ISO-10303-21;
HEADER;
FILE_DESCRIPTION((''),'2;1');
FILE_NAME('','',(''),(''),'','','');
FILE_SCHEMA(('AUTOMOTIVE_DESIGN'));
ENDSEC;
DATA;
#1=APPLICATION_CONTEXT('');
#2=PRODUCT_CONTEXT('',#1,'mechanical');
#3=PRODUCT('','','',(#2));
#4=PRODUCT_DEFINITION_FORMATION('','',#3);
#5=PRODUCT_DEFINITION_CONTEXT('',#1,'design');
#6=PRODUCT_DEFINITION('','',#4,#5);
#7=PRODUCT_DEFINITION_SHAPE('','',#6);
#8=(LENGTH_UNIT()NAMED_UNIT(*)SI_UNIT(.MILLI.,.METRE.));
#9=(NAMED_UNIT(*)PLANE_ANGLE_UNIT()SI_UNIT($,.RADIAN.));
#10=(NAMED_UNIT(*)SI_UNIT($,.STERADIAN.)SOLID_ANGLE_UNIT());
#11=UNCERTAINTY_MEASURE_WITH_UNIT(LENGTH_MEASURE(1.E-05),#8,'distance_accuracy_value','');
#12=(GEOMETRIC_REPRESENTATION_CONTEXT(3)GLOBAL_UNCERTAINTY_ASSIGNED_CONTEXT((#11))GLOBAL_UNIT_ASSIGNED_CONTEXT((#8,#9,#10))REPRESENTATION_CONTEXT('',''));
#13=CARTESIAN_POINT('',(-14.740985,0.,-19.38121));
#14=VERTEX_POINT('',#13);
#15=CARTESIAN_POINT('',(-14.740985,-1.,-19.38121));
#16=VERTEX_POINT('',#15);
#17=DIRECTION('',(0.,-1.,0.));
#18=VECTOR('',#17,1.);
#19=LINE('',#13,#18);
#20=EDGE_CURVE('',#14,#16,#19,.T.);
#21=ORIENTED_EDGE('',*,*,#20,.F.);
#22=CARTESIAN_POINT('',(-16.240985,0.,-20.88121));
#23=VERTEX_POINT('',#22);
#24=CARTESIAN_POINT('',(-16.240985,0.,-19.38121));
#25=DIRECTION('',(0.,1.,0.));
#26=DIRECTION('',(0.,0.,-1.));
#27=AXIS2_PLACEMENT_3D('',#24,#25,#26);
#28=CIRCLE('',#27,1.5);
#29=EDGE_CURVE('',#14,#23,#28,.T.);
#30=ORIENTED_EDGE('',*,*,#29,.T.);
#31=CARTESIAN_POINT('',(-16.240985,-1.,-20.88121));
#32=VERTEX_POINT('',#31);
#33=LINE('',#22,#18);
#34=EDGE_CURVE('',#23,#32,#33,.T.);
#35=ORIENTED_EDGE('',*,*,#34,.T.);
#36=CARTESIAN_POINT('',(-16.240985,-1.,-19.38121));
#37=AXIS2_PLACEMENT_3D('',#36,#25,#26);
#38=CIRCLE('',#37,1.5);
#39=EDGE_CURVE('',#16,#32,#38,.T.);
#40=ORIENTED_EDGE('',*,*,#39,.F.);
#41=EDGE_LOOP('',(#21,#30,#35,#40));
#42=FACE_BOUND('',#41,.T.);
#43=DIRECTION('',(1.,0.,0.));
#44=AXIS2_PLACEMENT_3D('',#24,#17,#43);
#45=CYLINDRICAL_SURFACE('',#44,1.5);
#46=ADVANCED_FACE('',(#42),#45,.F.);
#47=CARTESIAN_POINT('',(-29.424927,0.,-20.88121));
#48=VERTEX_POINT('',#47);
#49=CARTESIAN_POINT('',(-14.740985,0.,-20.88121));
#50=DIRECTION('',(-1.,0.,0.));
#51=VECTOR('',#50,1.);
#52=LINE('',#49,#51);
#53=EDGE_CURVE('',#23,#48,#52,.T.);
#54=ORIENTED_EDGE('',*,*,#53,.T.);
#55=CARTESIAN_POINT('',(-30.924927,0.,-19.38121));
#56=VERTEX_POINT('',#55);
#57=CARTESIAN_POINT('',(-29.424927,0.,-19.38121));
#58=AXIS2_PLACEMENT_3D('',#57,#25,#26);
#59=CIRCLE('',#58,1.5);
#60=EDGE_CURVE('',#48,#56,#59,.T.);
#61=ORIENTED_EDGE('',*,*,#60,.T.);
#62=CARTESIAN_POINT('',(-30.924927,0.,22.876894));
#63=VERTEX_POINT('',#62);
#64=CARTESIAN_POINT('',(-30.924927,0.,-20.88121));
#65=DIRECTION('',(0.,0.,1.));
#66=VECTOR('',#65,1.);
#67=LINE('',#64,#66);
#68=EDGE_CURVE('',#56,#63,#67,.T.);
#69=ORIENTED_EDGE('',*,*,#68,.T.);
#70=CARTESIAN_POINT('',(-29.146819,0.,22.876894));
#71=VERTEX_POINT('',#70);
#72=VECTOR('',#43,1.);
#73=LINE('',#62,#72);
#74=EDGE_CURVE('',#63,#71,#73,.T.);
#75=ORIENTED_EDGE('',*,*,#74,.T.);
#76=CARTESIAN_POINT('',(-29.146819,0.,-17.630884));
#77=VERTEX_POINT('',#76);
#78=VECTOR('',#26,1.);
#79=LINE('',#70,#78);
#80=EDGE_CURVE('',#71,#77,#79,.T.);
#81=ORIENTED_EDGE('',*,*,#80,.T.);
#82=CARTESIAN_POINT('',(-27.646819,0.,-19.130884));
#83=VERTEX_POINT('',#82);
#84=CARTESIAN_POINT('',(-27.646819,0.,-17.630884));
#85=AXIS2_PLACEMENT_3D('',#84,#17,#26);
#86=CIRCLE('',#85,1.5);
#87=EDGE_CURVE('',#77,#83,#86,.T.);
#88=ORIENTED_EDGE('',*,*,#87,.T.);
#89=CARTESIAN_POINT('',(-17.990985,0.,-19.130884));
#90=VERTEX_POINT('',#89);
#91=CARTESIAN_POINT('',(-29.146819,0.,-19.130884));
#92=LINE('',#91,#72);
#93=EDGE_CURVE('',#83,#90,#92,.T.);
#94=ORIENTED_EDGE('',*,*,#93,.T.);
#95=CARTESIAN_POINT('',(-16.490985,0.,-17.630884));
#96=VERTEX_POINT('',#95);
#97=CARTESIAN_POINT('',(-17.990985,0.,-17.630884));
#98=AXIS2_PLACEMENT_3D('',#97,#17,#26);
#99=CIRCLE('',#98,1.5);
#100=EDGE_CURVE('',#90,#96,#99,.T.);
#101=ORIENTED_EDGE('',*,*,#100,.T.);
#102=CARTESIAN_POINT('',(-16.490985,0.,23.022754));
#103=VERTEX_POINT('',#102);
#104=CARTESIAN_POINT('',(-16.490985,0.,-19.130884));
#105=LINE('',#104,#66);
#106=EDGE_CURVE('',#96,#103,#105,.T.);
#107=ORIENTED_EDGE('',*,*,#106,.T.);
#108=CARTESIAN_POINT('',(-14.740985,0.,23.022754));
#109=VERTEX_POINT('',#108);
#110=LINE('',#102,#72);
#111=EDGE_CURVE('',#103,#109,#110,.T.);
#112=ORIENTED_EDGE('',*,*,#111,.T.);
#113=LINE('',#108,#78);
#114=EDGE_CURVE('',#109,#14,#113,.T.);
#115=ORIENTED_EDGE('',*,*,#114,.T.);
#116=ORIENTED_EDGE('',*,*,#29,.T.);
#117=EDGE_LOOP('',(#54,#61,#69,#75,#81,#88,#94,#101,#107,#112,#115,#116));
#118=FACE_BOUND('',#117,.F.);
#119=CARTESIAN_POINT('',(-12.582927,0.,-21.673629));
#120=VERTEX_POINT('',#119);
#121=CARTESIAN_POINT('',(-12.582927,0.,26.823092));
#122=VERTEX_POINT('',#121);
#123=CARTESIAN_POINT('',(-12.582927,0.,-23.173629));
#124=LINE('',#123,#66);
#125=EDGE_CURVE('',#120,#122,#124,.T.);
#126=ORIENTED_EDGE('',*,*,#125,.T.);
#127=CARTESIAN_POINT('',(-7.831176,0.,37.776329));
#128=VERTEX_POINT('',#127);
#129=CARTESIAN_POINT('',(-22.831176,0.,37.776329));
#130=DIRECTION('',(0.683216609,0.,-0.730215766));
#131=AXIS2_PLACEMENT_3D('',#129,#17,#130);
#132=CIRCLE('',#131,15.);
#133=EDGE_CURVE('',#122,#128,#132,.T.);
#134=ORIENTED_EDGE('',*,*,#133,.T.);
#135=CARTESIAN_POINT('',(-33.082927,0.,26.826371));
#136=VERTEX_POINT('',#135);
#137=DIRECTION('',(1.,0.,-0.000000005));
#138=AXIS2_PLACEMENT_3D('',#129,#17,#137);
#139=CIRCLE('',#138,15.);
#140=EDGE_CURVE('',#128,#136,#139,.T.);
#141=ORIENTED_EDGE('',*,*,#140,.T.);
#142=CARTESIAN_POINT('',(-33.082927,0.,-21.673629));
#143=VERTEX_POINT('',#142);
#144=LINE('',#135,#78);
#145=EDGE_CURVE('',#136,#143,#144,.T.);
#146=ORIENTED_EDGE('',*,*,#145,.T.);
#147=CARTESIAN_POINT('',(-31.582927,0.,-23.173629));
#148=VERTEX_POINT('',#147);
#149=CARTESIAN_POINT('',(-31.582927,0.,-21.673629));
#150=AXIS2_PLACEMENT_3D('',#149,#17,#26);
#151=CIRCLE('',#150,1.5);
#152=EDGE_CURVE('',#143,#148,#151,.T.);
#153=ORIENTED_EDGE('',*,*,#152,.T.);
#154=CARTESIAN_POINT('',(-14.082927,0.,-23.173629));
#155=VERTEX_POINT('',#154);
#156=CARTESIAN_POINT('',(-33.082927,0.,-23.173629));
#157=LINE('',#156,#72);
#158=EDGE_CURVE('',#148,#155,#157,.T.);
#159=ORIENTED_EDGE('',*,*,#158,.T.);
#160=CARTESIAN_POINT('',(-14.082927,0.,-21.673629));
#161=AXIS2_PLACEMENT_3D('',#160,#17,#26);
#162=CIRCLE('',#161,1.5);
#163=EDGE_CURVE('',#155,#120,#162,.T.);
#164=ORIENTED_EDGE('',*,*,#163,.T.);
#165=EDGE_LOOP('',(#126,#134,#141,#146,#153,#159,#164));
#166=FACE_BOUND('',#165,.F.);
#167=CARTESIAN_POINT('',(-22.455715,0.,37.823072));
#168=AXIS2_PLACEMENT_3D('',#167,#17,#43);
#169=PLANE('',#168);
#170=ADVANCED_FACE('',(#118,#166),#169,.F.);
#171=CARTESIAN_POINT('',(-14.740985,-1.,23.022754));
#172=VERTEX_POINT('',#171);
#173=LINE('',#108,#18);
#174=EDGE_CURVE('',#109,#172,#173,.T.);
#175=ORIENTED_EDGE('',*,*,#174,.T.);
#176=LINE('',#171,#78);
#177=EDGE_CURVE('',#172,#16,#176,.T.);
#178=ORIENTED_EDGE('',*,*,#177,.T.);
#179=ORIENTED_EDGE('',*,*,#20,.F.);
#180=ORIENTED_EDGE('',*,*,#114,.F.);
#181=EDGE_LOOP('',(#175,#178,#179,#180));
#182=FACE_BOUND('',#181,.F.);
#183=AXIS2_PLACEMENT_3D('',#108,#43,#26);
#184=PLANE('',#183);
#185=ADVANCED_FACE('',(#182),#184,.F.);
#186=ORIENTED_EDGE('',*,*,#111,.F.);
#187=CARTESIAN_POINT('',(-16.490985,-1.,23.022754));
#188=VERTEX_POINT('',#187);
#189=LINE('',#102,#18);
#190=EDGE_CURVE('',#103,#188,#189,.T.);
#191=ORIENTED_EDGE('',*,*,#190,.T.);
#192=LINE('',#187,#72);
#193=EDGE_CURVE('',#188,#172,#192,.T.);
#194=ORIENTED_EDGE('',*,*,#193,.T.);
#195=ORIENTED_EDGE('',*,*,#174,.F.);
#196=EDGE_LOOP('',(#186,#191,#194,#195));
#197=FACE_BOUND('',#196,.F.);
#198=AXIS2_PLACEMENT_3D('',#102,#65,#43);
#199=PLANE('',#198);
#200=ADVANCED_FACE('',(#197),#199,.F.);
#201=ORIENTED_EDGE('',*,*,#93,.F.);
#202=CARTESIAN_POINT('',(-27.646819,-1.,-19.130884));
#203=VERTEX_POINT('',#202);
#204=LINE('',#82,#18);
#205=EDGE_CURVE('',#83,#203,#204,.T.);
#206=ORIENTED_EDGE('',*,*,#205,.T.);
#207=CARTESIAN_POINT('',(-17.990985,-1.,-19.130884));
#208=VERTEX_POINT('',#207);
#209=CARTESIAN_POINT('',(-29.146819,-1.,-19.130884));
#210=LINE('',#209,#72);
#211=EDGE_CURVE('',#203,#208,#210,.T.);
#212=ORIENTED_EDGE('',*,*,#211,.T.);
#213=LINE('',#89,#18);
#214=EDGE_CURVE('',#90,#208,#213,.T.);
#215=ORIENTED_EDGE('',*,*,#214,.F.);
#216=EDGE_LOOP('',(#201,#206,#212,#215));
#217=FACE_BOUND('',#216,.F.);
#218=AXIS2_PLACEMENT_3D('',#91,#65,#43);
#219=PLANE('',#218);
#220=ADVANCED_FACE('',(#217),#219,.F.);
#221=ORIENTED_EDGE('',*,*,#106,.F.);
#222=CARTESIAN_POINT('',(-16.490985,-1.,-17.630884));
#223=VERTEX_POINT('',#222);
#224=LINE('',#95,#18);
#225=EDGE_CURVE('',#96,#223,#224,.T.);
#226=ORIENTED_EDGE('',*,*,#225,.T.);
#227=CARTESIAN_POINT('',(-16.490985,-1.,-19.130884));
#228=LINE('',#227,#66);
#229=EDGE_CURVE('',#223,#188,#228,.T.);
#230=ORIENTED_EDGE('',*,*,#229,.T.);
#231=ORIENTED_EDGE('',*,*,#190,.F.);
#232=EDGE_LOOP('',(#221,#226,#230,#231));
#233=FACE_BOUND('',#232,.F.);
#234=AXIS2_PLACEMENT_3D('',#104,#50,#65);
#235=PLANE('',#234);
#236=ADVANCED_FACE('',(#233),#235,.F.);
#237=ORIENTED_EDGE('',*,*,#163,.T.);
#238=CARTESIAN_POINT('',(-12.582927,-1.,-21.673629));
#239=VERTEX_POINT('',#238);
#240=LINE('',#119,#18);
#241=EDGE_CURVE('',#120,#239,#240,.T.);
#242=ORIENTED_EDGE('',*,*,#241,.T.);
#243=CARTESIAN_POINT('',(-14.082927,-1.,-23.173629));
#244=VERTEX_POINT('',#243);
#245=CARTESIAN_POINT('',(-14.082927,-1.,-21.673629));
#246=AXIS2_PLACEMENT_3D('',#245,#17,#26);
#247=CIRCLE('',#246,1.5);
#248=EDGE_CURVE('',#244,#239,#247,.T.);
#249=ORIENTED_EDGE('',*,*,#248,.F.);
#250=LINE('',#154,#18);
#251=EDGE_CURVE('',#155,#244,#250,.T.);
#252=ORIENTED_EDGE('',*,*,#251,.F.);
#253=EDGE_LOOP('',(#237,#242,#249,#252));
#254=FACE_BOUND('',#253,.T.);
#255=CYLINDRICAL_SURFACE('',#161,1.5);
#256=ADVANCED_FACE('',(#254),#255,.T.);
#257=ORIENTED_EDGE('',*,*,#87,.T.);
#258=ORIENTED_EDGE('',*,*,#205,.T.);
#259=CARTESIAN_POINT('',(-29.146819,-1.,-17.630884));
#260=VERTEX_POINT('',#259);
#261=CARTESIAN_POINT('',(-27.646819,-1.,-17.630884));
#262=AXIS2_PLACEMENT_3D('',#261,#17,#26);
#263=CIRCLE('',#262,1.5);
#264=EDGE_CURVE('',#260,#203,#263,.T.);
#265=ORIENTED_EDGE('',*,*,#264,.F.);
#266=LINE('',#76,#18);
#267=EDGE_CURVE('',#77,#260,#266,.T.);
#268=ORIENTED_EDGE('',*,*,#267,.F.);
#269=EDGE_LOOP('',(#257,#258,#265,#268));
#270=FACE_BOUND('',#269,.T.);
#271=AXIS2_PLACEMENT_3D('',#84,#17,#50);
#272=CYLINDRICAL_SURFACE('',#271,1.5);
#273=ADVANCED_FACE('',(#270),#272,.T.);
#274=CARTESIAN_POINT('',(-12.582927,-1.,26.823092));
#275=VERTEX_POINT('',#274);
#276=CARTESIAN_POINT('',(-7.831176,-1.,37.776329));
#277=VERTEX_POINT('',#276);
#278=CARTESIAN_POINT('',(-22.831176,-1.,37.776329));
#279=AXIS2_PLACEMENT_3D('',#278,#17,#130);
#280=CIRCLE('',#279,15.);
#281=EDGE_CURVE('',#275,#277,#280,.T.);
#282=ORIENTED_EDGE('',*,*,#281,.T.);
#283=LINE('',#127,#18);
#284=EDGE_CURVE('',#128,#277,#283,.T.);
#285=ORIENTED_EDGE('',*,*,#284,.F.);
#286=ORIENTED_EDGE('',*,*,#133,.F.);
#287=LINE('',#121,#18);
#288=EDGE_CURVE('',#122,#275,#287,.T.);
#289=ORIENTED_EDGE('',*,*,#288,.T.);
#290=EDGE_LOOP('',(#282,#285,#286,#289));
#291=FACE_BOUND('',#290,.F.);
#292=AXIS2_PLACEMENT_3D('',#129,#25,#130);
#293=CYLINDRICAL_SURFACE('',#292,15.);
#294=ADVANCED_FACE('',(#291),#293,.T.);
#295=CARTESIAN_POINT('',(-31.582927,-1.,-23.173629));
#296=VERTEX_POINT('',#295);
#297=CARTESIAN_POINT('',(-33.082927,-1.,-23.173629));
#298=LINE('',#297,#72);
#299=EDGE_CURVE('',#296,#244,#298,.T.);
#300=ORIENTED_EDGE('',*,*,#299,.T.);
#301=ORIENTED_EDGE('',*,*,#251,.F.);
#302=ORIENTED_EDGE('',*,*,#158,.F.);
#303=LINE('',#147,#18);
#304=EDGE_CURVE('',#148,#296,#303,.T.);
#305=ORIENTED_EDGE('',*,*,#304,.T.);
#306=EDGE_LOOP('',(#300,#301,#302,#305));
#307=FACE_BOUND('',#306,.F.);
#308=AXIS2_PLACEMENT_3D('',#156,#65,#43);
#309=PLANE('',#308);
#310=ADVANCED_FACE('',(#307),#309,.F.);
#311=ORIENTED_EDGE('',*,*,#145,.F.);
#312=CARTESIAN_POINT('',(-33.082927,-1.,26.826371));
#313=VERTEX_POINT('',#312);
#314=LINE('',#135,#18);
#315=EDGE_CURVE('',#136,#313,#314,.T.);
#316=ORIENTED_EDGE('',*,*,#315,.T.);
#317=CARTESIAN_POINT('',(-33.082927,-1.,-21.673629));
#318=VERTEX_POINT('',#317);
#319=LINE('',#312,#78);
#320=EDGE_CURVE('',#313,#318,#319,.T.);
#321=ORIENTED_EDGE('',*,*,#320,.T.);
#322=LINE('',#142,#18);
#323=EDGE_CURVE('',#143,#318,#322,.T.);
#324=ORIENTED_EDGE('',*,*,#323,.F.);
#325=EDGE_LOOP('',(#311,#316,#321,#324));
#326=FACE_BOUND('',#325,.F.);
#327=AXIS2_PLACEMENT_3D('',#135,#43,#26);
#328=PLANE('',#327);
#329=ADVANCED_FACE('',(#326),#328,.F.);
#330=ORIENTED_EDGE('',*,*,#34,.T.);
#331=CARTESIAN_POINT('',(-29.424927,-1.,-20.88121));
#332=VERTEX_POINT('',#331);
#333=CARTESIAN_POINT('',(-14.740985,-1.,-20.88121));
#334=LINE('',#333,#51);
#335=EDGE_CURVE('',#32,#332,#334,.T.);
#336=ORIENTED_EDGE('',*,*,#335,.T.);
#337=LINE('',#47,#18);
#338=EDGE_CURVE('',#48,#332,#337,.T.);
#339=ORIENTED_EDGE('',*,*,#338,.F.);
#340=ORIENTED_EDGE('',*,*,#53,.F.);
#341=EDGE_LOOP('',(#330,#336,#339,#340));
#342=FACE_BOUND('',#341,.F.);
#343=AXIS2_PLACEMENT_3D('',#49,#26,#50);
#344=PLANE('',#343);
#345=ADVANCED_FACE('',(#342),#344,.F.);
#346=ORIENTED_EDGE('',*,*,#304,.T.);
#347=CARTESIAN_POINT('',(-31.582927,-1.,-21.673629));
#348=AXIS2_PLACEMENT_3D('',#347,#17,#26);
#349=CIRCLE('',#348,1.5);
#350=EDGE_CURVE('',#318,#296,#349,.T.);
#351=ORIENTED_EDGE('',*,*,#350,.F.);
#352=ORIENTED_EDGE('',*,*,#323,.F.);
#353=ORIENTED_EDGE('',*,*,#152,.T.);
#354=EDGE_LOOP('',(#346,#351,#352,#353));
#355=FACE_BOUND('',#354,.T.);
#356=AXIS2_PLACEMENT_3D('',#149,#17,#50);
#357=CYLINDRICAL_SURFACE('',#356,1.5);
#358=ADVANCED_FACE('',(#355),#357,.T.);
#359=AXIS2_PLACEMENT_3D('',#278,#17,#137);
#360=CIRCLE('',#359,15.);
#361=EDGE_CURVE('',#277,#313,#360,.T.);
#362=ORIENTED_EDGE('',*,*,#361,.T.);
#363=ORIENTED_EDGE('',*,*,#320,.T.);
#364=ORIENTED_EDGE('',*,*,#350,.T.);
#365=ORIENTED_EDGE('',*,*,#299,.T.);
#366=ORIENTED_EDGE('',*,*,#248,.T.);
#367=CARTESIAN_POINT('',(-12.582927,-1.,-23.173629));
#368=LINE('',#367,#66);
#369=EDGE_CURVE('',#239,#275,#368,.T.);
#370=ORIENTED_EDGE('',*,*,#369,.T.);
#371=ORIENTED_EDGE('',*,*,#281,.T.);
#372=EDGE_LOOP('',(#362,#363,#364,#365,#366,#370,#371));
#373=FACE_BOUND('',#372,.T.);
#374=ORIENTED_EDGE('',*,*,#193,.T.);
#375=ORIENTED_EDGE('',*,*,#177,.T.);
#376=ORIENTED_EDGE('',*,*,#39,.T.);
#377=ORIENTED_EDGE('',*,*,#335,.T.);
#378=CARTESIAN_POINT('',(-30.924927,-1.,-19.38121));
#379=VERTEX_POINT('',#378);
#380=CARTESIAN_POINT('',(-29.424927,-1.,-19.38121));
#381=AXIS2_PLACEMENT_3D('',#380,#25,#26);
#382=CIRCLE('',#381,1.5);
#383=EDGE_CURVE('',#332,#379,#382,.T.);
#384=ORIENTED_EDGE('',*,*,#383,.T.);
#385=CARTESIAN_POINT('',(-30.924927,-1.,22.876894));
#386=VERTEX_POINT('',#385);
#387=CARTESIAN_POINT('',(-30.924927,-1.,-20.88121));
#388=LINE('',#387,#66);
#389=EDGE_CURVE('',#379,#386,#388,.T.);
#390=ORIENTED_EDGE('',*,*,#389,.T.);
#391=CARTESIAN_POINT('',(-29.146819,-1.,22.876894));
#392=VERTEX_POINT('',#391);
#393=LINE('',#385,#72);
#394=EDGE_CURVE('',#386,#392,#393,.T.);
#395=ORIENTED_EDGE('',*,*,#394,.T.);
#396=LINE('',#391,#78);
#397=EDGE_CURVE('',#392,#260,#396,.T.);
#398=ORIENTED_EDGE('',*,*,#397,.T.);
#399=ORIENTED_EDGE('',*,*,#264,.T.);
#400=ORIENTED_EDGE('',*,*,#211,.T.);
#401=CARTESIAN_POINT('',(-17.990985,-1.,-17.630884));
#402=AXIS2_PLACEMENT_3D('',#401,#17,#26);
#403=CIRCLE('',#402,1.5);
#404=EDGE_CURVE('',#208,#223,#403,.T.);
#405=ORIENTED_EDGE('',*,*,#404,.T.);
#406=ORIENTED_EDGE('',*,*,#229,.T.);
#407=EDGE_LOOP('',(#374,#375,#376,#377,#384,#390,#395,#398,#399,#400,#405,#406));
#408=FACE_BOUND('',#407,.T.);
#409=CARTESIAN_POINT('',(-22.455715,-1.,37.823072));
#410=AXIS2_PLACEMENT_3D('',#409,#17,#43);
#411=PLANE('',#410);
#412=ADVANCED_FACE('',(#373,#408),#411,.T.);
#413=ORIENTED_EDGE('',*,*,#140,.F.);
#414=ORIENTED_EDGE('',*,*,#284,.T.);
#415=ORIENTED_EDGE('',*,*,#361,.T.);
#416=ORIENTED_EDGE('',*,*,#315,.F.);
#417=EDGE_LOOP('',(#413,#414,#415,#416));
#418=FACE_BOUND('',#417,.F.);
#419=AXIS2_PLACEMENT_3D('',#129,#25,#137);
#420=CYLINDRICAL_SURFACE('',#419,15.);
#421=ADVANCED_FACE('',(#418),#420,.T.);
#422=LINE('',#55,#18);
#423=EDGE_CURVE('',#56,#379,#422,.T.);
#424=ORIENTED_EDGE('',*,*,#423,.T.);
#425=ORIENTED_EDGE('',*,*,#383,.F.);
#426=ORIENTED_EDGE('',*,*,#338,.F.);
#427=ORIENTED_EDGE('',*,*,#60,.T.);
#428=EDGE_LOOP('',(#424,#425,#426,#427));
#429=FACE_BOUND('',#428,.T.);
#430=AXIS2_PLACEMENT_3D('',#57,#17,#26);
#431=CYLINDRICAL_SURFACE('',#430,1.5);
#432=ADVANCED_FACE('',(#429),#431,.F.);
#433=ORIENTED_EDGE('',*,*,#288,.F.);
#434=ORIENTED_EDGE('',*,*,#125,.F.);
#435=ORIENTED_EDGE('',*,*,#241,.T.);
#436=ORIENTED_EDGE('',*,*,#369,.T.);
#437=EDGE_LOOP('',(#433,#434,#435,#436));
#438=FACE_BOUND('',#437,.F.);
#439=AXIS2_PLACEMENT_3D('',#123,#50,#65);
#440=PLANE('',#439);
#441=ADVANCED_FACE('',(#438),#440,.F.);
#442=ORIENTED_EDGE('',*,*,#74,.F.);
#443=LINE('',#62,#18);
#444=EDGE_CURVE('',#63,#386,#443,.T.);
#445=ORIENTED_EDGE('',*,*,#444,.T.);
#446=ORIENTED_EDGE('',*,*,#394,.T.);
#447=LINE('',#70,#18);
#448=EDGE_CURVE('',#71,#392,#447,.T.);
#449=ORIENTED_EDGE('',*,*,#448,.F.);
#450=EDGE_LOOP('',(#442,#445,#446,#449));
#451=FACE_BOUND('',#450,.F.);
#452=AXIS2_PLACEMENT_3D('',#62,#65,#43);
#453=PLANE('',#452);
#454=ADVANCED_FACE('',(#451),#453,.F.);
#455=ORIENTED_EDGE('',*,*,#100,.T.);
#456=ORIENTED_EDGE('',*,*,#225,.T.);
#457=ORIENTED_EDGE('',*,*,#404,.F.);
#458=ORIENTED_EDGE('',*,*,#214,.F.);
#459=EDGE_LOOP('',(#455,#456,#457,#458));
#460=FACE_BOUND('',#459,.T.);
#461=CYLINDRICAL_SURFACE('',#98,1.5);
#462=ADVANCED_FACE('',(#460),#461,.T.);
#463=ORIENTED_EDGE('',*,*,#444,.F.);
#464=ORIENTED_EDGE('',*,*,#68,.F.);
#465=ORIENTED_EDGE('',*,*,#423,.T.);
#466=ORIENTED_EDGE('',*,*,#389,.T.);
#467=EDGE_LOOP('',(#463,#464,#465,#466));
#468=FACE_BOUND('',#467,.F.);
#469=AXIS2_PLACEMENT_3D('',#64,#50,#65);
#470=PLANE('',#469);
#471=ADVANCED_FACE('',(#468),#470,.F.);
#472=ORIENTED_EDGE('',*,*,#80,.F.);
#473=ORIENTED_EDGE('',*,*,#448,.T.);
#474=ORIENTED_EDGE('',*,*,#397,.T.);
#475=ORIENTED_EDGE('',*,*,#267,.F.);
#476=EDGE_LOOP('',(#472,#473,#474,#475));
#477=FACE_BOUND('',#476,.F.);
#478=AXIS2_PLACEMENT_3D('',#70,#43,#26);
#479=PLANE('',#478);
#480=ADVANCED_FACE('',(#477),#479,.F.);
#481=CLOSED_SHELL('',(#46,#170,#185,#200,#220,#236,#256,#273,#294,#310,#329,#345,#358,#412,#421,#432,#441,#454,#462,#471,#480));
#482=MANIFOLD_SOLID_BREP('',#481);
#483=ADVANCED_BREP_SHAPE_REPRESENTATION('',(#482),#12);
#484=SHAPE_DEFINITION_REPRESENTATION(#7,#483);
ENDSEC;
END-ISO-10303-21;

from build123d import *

# Parameters (mm, degrees)
F1_DEPTH = 1
F2_R     = 1.5
F3_R     = 1.5
F4_R     = 1.5
F5_R     = 1.5


with BuildPart() as f1:
    # F0 (on Front) → F1 (new body)
    with BuildSketch(Plane.XZ):
        with BuildLine():
            ThreePointArc((-12.582927, 26.823092), (-9.070294, 31.806561), (-7.831176, 37.776329))
            ThreePointArc((-7.831176, 37.776329), (-28.798743, 51.538165), (-33.082927, 26.826371))
            Line((-33.082927, 26.826371), (-12.582927, 26.826371))
            Line((-12.582927, 26.826371), (-12.582927, 26.823092))
        make_face()
        with BuildLine():
            Line((-12.582927, 26.826371), (-33.082927, 26.826371))
            ThreePointArc((-33.082927, 26.826371), (-22.833574, 22.776329), (-12.582927, 26.823092))
            Line((-12.582927, 26.823092), (-12.582927, 26.826371))
        make_face()
        with BuildLine():
            ThreePointArc((-12.582927, 26.823092), (-22.833574, 22.776329), (-33.082927, 26.826371))
            Line((-33.082927, 26.826371), (-33.082927, -23.173629))
            Line((-33.082927, -23.173629), (-12.582927, -23.173629))
            Line((-12.582927, -23.173629), (-12.582927, 26.823092))
        make_face()
        Polygon((-30.924927, -19.130884), (-30.924927, 22.876894), (-29.146819, 22.876894), (-29.146819, -19.130884), (-16.490985, -19.130884), (-16.490985, 23.022754), (-14.740985, 23.022754), (-14.740985, -19.130884), (-14.740985, -20.88121), (-16.490985, -20.88121), (-29.146819, -20.88121), (-30.924927, -20.88121), align=None, mode=Mode.SUBTRACT)
    extrude(amount=F1_DEPTH)

    # F2
    f2_edges = [f1.edges().sort_by_distance(p)[0] for p in [
        (-33.082927, -0.5, -23.173629),
        (-29.146819, -0.5, -19.130884),
    ]]
    fillet(f2_edges, radius=F2_R)

    # F3
    f3_edges = [f1.edges().sort_by_distance(p)[0] for p in [
        (-12.582927, -0.5, -23.173629),
        (-16.490985, -0.5, -19.130884),
    ]]
    fillet(f3_edges, radius=F3_R)

    # F4
    f4_edges = [f1.edges().sort_by_distance(p)[0] for p in [
        (-14.740985, -0.5, -20.88121),
    ]]
    fillet(f4_edges, radius=F4_R)

    # F5
    f5_edges = [f1.edges().sort_by_distance(p)[0] for p in [
        (-30.924927, -0.5, -20.88121),
    ]]
    fillet(f5_edges, radius=F5_R)


solid = f1.part
